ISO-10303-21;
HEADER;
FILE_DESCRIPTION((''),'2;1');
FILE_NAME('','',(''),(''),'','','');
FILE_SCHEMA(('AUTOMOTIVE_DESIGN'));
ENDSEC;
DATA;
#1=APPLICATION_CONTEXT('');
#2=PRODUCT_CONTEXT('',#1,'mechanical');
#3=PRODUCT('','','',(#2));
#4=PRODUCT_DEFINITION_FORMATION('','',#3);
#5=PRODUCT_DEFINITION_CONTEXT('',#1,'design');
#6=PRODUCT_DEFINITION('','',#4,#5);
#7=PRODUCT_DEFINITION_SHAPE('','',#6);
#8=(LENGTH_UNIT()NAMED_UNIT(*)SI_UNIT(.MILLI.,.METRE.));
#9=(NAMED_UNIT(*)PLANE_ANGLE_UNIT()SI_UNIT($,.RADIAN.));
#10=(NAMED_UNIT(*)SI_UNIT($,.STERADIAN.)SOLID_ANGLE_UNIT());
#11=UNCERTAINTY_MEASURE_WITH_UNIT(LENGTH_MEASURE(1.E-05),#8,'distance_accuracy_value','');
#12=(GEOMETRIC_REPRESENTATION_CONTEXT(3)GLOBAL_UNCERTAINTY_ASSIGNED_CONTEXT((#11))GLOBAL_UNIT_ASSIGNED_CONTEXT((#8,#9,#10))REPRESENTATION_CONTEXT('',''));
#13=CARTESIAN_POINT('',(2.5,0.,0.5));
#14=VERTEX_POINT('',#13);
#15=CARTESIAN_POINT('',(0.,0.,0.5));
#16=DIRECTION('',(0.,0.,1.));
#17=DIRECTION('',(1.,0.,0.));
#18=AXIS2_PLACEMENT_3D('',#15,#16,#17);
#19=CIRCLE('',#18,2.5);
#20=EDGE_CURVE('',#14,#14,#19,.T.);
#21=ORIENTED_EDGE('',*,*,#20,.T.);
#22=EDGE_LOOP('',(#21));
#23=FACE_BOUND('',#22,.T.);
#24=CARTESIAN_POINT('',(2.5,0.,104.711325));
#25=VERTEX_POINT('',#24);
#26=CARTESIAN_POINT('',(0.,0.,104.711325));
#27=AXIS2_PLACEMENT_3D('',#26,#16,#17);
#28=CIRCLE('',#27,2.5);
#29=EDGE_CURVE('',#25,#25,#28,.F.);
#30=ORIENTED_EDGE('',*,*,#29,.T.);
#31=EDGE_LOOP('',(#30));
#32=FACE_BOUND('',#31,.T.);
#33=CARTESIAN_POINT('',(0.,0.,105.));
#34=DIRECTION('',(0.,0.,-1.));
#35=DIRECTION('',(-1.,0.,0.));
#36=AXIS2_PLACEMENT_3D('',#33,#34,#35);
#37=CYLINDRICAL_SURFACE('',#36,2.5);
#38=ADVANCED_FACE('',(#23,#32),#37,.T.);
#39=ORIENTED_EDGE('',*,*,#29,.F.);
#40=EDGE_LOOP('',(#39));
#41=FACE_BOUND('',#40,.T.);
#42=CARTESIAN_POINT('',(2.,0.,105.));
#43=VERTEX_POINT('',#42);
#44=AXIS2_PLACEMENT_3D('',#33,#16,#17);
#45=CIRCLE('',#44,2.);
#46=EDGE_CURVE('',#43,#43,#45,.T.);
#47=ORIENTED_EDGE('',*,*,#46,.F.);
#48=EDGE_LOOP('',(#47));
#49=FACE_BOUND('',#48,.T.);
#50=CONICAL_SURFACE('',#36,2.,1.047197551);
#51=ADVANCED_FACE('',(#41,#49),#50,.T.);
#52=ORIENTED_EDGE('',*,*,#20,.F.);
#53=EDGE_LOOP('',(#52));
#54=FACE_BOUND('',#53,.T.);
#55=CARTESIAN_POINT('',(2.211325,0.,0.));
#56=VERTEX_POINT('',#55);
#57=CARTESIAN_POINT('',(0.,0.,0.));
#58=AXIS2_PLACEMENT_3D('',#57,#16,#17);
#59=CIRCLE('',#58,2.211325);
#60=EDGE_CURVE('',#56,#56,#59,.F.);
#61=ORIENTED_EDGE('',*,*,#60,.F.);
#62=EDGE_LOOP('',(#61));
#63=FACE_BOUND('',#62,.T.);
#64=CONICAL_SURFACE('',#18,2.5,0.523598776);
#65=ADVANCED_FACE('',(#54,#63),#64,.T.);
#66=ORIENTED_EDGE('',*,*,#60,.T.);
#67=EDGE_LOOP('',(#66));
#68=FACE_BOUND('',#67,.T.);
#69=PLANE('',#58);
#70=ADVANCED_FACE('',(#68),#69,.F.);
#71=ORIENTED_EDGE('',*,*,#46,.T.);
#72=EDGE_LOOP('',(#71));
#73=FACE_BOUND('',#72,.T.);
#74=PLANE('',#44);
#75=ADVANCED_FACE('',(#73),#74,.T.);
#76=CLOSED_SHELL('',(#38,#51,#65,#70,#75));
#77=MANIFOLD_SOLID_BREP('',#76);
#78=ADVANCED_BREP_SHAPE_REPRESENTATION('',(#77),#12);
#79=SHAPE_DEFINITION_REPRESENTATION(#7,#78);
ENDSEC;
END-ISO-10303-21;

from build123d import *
from OCP.BRepFilletAPI import BRepFilletAPI_MakeChamfer

# Parameters (mm, degrees)
ESBO_O1_R                = 2.5
RESSALTO_EXTRUS_O1_DEPTH = 105
CHANFRO1_SIZE            = 0.5
CHANFRO1_SIZE2           = 0.288675135


with BuildPart() as part:
    # Esboço1 → Ressalto-extrusão1 (new body)
    with BuildSketch(Plane.XY):
        Circle(ESBO_O1_R)
    extrude(amount=RESSALTO_EXTRUS_O1_DEPTH)

    # Chanfro1: one chamfer whose edges measure the first distance from different faces: ONE call of the kernel's chamfer builder (chamfer() names one face for all edges)
    chanfro1_edges_1 = [part.edges().sort_by_distance(p)[0] for p in [
        (-2.5, 0, 0),
    ]]
    chanfro1_side_1 = [part.faces().sort_by_distance(p)[0] for p in [
        (-2.5, 0, 52.5),
    ]]
    chanfro1_edges_2 = [part.edges().sort_by_distance(p)[0] for p in [
        (-2.5, 0, 105),
    ]]
    chanfro1_side_2 = [part.faces().sort_by_distance(p)[0] for p in [
        (0, 0, 105),
    ]]
    chanfro1 = BRepFilletAPI_MakeChamfer(part.part.solid().wrapped)
    for e in chanfro1_edges_1:
        chanfro1.Add(CHANFRO1_SIZE, CHANFRO1_SIZE2, e.wrapped, chanfro1_side_1[0].wrapped)  # the first distance lies on this face
    for e in chanfro1_edges_2:
        chanfro1.Add(CHANFRO1_SIZE, CHANFRO1_SIZE2, e.wrapped, chanfro1_side_2[0].wrapped)  # the first distance lies on this face
    add(Compound.cast(chanfro1.Shape()), mode=Mode.REPLACE)


solid = part.part
